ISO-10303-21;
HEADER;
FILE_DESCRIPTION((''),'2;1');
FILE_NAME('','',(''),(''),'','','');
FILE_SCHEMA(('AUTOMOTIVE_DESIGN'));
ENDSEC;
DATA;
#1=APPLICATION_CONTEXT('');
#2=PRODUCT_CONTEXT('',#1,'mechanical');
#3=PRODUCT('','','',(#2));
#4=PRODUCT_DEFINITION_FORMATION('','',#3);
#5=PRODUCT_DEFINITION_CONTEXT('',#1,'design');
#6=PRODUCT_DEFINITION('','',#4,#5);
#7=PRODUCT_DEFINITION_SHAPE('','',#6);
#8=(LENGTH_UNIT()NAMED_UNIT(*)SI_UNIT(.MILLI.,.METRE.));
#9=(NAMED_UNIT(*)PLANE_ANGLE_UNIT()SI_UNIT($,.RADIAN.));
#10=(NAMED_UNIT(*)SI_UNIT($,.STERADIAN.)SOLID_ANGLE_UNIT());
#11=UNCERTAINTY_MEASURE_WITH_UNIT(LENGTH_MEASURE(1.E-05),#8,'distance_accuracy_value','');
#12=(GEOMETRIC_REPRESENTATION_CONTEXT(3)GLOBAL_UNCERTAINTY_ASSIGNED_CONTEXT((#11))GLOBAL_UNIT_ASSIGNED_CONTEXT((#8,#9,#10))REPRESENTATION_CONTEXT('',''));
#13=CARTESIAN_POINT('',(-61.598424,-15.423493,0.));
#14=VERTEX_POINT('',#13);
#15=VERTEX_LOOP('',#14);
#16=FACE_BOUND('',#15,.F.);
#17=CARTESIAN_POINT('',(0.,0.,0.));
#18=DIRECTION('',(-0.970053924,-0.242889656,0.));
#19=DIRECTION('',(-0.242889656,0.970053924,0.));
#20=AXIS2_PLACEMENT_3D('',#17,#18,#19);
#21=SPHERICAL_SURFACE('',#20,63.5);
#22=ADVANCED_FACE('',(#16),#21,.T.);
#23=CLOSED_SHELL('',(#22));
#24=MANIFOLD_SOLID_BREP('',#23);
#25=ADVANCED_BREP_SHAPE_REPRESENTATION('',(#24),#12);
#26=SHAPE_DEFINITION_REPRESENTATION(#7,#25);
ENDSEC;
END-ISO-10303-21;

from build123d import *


with BuildPart() as f1:
    # F0 (on Top) → F1 (revolve)
    with BuildSketch(Plane.XY):
        with BuildLine():
            Line((0, 0), (61.5984241573, 15.4234931628))
            ThreePointArc((61.5984241573, 15.4234931628), (-15.4234931628, 61.5984241573), (-61.5984241573, -15.4234931628))
            Line((-61.5984241573, -15.4234931628), (0, 0))
        make_face()
    revolve(axis=Axis((-30.7992120786, -7.7117465814, 0), (0.9700539237, 0.2428896561, 0)))


solid = f1.part
